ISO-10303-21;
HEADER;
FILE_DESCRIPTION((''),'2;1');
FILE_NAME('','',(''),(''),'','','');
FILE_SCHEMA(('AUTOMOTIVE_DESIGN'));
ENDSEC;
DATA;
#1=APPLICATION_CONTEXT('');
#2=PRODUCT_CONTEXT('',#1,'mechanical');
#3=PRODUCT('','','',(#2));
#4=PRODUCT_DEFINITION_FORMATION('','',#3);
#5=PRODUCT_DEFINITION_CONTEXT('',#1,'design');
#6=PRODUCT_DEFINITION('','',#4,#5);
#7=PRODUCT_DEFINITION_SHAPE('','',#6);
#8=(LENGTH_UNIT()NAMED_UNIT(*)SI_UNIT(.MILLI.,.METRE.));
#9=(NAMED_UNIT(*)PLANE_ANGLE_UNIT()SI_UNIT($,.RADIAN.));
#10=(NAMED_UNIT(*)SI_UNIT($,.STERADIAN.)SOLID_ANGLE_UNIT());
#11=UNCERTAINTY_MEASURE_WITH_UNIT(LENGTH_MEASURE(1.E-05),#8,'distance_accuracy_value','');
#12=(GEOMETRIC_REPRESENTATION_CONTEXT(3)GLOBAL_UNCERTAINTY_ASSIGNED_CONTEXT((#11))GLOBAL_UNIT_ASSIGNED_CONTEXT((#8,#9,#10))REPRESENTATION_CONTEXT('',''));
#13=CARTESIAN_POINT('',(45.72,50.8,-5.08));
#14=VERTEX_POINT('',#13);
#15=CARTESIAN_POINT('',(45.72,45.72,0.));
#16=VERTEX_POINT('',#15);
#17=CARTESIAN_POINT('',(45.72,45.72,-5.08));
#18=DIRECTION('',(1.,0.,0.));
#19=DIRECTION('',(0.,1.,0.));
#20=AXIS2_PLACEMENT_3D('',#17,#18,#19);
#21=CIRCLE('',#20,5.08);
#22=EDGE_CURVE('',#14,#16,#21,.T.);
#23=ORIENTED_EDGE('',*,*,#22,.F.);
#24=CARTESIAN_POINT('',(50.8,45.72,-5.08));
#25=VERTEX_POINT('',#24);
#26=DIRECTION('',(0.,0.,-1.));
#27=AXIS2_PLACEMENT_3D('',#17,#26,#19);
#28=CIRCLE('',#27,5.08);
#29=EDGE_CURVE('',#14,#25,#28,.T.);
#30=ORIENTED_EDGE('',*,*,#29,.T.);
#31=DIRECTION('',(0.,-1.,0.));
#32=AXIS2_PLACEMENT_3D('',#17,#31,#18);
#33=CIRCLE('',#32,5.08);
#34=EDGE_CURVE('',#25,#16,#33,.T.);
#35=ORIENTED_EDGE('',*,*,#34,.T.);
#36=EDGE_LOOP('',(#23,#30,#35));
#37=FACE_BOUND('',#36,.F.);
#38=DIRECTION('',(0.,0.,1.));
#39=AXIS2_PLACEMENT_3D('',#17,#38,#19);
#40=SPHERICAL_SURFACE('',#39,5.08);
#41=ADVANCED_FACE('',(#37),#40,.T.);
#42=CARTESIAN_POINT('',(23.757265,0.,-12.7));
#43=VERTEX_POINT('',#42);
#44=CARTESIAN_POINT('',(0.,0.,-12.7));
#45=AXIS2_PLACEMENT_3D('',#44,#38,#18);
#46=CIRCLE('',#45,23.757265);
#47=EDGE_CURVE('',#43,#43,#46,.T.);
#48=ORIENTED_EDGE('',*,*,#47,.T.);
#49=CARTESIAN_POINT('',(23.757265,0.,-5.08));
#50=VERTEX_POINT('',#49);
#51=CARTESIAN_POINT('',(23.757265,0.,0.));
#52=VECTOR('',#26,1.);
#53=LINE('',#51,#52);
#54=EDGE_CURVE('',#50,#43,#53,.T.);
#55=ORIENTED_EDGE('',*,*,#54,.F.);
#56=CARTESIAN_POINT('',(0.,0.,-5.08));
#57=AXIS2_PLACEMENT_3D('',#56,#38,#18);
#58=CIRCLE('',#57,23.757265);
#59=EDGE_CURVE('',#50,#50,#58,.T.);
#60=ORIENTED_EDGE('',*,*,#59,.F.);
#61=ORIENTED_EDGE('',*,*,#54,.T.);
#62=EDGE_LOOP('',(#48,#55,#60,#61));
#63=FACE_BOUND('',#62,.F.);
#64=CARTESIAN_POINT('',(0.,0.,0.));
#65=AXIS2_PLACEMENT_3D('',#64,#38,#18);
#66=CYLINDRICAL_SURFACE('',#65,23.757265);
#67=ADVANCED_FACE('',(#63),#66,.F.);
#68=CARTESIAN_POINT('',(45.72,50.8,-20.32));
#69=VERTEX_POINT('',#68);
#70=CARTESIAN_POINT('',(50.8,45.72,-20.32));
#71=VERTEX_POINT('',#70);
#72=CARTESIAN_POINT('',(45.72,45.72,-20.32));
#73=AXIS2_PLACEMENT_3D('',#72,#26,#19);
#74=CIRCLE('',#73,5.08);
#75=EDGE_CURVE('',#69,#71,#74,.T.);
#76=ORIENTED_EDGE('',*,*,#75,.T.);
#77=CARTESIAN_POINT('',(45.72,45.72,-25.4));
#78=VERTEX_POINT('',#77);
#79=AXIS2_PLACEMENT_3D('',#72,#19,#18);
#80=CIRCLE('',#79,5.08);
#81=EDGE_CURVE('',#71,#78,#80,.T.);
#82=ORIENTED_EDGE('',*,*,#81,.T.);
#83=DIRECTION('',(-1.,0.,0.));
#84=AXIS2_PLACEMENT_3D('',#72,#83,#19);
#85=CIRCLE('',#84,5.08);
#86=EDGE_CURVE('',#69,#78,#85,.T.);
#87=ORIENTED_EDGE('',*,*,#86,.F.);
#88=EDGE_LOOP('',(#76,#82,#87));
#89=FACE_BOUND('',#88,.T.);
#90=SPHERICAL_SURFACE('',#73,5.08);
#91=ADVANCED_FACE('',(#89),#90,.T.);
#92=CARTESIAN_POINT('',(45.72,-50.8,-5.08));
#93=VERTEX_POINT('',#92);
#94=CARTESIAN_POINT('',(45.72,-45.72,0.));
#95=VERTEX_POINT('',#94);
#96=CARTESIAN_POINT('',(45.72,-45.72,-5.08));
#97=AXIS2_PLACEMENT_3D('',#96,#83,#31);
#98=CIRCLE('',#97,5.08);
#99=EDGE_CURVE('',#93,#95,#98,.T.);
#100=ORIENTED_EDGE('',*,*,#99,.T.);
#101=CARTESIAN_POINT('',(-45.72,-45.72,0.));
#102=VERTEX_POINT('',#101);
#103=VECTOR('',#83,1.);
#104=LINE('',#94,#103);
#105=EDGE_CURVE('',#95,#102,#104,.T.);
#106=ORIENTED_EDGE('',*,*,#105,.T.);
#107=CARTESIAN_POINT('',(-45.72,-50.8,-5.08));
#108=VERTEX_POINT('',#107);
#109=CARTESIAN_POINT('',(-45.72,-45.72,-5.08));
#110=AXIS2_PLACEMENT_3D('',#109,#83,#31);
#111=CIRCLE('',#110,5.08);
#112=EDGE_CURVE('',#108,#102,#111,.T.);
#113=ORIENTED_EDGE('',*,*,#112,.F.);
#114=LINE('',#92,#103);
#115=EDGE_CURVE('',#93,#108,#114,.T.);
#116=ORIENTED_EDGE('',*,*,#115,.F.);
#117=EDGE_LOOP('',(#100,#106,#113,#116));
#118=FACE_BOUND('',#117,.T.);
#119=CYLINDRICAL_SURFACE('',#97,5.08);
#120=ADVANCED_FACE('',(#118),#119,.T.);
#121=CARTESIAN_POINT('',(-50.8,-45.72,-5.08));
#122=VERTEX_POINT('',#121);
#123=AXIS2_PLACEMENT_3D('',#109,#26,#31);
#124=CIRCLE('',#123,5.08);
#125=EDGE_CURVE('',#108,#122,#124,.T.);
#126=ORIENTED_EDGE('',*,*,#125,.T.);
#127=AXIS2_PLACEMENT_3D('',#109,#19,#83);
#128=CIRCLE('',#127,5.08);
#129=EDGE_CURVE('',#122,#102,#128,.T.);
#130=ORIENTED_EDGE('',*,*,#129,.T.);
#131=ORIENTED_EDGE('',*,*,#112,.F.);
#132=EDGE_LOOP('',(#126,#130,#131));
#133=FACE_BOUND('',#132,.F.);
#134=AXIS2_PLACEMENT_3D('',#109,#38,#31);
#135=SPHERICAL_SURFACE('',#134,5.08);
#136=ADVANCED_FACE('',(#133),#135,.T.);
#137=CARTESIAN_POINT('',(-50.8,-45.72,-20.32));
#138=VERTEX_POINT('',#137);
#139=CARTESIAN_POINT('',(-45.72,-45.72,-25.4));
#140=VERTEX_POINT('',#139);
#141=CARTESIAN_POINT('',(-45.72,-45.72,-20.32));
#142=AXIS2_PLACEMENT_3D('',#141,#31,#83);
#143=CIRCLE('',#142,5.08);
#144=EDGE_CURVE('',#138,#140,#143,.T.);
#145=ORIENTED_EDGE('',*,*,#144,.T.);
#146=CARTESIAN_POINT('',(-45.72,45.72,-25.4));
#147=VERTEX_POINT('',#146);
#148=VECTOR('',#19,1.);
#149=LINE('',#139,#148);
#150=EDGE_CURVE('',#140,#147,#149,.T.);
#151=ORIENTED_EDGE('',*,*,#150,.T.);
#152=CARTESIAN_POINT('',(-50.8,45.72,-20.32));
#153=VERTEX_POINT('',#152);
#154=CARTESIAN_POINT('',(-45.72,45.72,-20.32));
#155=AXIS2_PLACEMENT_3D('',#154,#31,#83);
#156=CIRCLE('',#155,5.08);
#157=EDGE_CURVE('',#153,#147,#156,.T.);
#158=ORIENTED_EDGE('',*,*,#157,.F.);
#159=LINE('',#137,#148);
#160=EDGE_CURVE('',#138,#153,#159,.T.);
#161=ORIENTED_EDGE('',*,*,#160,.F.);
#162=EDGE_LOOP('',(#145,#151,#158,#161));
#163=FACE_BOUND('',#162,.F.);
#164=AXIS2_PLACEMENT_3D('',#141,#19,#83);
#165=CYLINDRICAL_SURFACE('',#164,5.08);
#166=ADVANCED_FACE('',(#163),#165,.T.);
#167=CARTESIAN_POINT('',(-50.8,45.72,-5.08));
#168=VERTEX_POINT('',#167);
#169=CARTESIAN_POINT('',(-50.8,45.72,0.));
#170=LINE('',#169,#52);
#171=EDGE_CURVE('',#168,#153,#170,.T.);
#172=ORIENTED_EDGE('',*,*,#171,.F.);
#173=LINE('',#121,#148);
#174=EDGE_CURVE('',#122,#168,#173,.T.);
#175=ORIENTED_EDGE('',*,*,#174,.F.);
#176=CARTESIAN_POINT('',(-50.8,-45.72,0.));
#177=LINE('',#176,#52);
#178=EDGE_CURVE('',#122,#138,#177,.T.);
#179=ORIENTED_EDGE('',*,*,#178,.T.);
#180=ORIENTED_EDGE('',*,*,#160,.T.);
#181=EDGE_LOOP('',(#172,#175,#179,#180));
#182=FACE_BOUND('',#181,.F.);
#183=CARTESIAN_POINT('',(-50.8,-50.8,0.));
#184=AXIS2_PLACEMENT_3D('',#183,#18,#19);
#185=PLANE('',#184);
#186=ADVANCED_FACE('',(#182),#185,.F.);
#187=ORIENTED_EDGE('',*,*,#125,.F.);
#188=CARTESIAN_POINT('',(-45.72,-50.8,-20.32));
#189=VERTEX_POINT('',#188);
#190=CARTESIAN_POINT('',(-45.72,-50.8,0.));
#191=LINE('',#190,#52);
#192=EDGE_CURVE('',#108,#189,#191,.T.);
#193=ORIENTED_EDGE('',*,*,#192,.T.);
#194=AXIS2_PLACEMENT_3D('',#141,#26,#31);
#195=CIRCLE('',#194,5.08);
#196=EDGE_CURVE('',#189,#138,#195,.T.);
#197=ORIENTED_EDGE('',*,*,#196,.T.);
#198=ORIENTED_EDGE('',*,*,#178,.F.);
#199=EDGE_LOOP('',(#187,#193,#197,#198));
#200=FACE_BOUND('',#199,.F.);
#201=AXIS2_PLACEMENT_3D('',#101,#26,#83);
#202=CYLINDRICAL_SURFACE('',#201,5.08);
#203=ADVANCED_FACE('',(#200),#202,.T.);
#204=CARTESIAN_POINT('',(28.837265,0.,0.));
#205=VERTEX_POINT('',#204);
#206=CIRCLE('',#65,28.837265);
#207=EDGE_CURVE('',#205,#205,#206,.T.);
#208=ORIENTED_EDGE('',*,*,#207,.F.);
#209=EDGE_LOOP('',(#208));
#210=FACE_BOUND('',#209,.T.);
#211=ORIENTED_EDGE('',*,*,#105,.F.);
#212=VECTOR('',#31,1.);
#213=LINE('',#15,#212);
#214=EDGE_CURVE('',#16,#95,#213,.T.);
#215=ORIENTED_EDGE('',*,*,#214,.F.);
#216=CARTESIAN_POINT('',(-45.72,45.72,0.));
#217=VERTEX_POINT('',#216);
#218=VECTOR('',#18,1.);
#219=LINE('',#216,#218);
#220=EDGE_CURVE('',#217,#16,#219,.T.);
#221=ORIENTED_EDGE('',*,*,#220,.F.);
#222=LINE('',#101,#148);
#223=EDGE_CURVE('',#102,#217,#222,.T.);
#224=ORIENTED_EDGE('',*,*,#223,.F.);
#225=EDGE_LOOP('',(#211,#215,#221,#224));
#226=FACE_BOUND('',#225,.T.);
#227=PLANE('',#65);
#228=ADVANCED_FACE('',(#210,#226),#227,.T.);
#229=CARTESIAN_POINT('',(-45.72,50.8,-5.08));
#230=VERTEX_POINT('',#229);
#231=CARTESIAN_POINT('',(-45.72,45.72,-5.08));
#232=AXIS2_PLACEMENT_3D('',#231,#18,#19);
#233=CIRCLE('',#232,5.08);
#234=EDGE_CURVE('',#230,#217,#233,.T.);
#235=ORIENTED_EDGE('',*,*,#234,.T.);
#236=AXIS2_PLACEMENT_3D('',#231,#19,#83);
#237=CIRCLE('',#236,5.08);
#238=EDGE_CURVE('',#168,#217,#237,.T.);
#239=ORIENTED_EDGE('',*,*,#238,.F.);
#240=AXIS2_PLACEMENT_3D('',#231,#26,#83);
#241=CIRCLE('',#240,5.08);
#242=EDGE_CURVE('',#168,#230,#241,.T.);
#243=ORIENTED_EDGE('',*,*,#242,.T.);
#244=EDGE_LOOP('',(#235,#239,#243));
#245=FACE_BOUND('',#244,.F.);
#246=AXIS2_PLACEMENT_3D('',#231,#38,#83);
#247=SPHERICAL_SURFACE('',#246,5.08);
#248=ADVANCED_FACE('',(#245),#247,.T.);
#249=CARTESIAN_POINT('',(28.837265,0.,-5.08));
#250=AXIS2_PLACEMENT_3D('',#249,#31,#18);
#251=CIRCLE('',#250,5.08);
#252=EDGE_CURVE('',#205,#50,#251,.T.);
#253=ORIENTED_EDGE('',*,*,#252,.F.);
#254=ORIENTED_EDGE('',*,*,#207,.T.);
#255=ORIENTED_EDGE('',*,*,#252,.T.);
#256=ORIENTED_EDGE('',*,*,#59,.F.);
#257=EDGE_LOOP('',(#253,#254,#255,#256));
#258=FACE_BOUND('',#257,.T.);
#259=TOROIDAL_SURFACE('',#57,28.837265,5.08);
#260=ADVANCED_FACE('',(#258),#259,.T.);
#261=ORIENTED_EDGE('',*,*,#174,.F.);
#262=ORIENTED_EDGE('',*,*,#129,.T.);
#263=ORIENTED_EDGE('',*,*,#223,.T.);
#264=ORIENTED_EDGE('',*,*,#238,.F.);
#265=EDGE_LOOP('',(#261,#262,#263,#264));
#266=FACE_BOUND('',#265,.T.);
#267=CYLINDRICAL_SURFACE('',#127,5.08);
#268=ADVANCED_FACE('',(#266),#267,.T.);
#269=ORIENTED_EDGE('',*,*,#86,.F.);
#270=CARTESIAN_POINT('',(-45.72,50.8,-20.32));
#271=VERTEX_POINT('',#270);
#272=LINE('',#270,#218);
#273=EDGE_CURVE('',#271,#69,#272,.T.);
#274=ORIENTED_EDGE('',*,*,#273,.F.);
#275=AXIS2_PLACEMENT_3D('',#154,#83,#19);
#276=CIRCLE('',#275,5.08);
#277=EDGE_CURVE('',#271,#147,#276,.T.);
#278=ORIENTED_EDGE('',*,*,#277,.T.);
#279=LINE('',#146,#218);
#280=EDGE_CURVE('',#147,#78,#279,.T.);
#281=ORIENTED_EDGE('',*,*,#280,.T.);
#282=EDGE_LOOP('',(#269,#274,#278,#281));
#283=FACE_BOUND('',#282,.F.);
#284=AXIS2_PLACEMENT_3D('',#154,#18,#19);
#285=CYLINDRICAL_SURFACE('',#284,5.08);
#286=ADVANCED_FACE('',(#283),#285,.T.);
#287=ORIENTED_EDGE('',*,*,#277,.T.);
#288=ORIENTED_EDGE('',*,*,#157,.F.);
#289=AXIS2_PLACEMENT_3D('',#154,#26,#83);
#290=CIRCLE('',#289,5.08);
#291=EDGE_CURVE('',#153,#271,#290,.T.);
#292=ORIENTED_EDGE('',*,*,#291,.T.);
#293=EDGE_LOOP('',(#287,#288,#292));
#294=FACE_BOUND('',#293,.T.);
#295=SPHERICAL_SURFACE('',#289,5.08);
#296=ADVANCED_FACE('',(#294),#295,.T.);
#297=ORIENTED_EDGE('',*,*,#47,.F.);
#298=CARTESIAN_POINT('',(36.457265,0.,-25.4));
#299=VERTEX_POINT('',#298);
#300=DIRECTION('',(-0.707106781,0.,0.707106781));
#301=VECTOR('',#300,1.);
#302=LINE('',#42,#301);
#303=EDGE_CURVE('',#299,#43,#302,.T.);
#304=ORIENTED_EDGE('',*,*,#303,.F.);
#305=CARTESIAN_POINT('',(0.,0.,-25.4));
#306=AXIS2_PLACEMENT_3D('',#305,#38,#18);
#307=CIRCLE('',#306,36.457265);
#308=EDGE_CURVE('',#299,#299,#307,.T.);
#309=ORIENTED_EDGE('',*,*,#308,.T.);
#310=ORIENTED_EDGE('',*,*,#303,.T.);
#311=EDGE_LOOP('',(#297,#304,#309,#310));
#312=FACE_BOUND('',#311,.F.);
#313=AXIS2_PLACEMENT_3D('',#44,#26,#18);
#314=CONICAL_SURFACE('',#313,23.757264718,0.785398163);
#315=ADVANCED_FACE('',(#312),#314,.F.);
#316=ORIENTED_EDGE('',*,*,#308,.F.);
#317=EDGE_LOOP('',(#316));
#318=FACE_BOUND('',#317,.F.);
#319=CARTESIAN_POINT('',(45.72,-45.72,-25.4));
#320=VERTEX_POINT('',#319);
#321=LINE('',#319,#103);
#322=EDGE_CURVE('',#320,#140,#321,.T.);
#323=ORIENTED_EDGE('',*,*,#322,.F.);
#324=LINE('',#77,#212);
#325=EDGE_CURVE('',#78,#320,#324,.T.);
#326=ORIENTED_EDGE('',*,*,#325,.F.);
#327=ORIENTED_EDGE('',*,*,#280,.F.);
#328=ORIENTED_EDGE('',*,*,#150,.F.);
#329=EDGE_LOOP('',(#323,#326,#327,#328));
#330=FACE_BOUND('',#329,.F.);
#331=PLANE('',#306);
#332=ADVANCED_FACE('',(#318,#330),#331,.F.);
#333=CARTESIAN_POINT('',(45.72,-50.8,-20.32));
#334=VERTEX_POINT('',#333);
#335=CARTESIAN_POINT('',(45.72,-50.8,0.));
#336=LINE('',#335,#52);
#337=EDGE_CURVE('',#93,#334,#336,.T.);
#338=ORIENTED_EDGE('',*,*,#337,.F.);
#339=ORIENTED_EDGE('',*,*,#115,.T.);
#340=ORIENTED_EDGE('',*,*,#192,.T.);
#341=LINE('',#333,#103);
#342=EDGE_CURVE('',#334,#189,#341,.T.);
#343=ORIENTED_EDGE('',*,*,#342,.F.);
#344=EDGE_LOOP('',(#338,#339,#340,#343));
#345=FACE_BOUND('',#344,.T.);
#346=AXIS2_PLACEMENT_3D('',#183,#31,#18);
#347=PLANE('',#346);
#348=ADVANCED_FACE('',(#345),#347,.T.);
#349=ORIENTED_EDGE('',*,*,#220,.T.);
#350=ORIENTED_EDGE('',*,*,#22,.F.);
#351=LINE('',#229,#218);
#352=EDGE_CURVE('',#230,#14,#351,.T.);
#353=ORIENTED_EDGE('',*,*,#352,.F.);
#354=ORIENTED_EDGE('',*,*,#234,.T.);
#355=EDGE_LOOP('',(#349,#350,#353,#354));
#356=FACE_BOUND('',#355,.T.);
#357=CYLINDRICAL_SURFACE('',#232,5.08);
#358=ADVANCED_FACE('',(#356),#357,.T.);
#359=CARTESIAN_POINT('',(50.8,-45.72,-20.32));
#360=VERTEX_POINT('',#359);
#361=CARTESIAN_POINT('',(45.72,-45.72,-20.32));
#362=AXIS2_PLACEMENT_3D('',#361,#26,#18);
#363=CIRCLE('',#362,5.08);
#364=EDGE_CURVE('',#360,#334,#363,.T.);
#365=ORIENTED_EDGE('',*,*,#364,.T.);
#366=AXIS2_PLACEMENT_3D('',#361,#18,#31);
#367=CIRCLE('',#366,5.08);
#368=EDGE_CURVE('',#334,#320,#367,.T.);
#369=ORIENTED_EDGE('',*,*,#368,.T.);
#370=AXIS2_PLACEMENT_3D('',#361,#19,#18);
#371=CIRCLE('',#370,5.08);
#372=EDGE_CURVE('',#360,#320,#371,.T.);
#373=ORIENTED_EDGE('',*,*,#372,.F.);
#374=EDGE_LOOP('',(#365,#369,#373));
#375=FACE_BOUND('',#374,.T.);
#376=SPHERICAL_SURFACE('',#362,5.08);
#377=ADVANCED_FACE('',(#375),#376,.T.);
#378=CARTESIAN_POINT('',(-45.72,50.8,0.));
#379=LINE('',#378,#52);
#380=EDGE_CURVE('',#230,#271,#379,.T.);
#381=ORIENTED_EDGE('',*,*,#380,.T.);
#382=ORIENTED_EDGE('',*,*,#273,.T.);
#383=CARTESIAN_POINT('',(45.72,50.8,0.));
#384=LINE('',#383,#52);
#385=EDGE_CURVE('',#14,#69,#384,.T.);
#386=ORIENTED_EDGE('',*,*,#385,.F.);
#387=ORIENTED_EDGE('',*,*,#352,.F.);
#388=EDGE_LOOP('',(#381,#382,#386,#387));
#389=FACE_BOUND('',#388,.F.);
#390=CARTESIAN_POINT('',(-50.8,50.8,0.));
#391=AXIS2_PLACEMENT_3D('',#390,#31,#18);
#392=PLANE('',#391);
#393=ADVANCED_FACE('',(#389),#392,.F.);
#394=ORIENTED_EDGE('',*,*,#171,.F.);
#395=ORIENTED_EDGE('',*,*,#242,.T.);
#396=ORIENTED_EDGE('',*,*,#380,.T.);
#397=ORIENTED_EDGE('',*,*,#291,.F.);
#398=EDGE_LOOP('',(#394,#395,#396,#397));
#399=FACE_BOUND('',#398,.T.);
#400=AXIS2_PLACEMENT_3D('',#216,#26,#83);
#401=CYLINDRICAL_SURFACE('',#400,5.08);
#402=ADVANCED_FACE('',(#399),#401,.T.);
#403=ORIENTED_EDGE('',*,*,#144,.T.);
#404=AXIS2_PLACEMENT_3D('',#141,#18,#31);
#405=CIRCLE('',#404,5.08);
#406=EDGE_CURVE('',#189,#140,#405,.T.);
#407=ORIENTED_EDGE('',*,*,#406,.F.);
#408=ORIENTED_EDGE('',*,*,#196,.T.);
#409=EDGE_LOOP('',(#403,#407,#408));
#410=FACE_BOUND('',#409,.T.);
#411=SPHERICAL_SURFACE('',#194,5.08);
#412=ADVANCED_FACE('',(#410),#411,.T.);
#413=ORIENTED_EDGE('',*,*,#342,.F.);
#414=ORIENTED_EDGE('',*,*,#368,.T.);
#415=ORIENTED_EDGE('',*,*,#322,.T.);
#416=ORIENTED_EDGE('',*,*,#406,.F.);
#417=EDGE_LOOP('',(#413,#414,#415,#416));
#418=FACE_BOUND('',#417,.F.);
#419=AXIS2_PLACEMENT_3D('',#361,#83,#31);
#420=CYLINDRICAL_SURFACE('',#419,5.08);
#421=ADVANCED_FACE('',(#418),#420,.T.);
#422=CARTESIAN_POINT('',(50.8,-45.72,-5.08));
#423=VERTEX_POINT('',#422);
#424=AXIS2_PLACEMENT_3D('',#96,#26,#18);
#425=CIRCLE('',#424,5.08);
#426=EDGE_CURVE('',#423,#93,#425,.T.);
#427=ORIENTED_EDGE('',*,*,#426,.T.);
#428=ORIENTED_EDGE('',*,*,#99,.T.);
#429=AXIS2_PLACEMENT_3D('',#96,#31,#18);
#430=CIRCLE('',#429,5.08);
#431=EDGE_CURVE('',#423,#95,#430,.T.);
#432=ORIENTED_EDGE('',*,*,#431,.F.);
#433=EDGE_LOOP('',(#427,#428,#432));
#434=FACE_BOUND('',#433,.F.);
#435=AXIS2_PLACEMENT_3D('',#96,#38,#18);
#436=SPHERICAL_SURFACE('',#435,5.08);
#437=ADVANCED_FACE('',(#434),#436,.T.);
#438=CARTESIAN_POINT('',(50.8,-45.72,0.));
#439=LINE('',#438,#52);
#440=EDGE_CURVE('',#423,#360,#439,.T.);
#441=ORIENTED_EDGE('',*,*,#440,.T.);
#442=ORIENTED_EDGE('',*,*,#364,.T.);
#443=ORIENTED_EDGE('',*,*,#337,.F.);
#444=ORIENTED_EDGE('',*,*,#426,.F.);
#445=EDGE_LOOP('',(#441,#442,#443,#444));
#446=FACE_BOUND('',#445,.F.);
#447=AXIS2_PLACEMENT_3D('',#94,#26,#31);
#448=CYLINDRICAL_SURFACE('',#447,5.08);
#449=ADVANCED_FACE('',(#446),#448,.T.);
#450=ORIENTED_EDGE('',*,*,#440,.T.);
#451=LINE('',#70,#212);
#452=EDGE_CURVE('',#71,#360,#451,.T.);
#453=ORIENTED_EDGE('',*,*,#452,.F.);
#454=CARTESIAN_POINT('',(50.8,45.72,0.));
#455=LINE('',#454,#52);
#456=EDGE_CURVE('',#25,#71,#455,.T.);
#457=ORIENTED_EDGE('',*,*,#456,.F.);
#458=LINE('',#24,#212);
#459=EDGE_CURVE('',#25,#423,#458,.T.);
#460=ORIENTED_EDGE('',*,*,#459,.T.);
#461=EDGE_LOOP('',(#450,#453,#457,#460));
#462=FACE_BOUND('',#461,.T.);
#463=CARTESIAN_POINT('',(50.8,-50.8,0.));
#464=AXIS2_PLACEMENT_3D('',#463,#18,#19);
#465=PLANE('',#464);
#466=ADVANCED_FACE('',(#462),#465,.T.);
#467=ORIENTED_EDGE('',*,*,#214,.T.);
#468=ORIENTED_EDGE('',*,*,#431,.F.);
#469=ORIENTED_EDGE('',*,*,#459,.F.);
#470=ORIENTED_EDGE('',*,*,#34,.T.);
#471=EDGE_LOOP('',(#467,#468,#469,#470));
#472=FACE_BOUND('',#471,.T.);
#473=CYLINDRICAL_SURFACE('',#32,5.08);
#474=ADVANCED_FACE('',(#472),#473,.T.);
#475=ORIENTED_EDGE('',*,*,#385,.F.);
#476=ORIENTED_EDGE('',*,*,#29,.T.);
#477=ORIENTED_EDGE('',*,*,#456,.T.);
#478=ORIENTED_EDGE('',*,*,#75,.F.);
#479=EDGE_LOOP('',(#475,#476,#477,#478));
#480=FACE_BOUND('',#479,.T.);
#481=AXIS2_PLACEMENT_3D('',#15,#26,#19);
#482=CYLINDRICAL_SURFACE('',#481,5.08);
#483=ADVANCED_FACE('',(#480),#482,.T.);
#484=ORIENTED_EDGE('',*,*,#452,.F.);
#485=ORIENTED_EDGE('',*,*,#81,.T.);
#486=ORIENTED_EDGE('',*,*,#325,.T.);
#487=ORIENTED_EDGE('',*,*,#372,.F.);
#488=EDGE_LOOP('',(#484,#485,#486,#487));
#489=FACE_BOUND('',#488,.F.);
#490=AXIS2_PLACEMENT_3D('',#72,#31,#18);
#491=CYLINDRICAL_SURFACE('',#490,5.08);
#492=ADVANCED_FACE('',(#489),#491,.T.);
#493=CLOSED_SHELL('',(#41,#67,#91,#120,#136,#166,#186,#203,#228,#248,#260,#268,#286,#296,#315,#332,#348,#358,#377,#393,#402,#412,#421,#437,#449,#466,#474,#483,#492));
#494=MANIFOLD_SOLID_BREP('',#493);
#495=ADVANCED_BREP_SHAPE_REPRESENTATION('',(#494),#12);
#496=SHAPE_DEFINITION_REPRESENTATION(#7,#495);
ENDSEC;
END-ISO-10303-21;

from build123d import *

# Parameters (mm, degrees)
F0_W     = 101.6
F0_H     = 101.6
F1_DEPTH = 25.4
F2_R     = 23.7572647181
F3_DEPTH = 25.401
F4_R     = 5.08
F5_R     = 5.08
F6_SIZE  = 12.7


with BuildPart() as f1:
    # F0 (on Top) → F1 (new body)
    with BuildSketch(Plane.XY):
        Rectangle(F0_W, F0_H)
    extrude(amount=-F1_DEPTH)

    # F2 (on face) → F3 (cut, through all)
    with BuildSketch(Plane.XY):
        Circle(F2_R)
    extrude(amount=-F3_DEPTH, mode=Mode.SUBTRACT)

    # F4
    f4_edges = [f1.edges().sort_by_distance(p)[0] for p in [
        (50.8, -50.8, -12.7),
        (-50.8, -50.8, -12.7),
        (50.8, 50.8, -12.7),
        (-23.757265, 0, 0),
        (-50.8, 50.8, -12.7),
    ]]
    fillet(f4_edges, radius=F4_R)

    # F5
    f5_edges = [f1.edges().sort_by_distance(p)[0] for p in [
        (-50.8, 0, 0),
        (-50.8, 45.72, -12.7),
        (-50.8, -45.72, -12.7),
        (-50.8, 0, -25.4),
    ]]
    fillet(f5_edges, radius=F5_R)

    # F6
    f6_edges = [f1.edges().sort_by_distance(p)[0] for p in [
        (-23.757265, 0, -25.4),
        (-23.757265, 0, -5.08),
    ]]
    chamfer(f6_edges, length=F6_SIZE)


solid = f1.part
